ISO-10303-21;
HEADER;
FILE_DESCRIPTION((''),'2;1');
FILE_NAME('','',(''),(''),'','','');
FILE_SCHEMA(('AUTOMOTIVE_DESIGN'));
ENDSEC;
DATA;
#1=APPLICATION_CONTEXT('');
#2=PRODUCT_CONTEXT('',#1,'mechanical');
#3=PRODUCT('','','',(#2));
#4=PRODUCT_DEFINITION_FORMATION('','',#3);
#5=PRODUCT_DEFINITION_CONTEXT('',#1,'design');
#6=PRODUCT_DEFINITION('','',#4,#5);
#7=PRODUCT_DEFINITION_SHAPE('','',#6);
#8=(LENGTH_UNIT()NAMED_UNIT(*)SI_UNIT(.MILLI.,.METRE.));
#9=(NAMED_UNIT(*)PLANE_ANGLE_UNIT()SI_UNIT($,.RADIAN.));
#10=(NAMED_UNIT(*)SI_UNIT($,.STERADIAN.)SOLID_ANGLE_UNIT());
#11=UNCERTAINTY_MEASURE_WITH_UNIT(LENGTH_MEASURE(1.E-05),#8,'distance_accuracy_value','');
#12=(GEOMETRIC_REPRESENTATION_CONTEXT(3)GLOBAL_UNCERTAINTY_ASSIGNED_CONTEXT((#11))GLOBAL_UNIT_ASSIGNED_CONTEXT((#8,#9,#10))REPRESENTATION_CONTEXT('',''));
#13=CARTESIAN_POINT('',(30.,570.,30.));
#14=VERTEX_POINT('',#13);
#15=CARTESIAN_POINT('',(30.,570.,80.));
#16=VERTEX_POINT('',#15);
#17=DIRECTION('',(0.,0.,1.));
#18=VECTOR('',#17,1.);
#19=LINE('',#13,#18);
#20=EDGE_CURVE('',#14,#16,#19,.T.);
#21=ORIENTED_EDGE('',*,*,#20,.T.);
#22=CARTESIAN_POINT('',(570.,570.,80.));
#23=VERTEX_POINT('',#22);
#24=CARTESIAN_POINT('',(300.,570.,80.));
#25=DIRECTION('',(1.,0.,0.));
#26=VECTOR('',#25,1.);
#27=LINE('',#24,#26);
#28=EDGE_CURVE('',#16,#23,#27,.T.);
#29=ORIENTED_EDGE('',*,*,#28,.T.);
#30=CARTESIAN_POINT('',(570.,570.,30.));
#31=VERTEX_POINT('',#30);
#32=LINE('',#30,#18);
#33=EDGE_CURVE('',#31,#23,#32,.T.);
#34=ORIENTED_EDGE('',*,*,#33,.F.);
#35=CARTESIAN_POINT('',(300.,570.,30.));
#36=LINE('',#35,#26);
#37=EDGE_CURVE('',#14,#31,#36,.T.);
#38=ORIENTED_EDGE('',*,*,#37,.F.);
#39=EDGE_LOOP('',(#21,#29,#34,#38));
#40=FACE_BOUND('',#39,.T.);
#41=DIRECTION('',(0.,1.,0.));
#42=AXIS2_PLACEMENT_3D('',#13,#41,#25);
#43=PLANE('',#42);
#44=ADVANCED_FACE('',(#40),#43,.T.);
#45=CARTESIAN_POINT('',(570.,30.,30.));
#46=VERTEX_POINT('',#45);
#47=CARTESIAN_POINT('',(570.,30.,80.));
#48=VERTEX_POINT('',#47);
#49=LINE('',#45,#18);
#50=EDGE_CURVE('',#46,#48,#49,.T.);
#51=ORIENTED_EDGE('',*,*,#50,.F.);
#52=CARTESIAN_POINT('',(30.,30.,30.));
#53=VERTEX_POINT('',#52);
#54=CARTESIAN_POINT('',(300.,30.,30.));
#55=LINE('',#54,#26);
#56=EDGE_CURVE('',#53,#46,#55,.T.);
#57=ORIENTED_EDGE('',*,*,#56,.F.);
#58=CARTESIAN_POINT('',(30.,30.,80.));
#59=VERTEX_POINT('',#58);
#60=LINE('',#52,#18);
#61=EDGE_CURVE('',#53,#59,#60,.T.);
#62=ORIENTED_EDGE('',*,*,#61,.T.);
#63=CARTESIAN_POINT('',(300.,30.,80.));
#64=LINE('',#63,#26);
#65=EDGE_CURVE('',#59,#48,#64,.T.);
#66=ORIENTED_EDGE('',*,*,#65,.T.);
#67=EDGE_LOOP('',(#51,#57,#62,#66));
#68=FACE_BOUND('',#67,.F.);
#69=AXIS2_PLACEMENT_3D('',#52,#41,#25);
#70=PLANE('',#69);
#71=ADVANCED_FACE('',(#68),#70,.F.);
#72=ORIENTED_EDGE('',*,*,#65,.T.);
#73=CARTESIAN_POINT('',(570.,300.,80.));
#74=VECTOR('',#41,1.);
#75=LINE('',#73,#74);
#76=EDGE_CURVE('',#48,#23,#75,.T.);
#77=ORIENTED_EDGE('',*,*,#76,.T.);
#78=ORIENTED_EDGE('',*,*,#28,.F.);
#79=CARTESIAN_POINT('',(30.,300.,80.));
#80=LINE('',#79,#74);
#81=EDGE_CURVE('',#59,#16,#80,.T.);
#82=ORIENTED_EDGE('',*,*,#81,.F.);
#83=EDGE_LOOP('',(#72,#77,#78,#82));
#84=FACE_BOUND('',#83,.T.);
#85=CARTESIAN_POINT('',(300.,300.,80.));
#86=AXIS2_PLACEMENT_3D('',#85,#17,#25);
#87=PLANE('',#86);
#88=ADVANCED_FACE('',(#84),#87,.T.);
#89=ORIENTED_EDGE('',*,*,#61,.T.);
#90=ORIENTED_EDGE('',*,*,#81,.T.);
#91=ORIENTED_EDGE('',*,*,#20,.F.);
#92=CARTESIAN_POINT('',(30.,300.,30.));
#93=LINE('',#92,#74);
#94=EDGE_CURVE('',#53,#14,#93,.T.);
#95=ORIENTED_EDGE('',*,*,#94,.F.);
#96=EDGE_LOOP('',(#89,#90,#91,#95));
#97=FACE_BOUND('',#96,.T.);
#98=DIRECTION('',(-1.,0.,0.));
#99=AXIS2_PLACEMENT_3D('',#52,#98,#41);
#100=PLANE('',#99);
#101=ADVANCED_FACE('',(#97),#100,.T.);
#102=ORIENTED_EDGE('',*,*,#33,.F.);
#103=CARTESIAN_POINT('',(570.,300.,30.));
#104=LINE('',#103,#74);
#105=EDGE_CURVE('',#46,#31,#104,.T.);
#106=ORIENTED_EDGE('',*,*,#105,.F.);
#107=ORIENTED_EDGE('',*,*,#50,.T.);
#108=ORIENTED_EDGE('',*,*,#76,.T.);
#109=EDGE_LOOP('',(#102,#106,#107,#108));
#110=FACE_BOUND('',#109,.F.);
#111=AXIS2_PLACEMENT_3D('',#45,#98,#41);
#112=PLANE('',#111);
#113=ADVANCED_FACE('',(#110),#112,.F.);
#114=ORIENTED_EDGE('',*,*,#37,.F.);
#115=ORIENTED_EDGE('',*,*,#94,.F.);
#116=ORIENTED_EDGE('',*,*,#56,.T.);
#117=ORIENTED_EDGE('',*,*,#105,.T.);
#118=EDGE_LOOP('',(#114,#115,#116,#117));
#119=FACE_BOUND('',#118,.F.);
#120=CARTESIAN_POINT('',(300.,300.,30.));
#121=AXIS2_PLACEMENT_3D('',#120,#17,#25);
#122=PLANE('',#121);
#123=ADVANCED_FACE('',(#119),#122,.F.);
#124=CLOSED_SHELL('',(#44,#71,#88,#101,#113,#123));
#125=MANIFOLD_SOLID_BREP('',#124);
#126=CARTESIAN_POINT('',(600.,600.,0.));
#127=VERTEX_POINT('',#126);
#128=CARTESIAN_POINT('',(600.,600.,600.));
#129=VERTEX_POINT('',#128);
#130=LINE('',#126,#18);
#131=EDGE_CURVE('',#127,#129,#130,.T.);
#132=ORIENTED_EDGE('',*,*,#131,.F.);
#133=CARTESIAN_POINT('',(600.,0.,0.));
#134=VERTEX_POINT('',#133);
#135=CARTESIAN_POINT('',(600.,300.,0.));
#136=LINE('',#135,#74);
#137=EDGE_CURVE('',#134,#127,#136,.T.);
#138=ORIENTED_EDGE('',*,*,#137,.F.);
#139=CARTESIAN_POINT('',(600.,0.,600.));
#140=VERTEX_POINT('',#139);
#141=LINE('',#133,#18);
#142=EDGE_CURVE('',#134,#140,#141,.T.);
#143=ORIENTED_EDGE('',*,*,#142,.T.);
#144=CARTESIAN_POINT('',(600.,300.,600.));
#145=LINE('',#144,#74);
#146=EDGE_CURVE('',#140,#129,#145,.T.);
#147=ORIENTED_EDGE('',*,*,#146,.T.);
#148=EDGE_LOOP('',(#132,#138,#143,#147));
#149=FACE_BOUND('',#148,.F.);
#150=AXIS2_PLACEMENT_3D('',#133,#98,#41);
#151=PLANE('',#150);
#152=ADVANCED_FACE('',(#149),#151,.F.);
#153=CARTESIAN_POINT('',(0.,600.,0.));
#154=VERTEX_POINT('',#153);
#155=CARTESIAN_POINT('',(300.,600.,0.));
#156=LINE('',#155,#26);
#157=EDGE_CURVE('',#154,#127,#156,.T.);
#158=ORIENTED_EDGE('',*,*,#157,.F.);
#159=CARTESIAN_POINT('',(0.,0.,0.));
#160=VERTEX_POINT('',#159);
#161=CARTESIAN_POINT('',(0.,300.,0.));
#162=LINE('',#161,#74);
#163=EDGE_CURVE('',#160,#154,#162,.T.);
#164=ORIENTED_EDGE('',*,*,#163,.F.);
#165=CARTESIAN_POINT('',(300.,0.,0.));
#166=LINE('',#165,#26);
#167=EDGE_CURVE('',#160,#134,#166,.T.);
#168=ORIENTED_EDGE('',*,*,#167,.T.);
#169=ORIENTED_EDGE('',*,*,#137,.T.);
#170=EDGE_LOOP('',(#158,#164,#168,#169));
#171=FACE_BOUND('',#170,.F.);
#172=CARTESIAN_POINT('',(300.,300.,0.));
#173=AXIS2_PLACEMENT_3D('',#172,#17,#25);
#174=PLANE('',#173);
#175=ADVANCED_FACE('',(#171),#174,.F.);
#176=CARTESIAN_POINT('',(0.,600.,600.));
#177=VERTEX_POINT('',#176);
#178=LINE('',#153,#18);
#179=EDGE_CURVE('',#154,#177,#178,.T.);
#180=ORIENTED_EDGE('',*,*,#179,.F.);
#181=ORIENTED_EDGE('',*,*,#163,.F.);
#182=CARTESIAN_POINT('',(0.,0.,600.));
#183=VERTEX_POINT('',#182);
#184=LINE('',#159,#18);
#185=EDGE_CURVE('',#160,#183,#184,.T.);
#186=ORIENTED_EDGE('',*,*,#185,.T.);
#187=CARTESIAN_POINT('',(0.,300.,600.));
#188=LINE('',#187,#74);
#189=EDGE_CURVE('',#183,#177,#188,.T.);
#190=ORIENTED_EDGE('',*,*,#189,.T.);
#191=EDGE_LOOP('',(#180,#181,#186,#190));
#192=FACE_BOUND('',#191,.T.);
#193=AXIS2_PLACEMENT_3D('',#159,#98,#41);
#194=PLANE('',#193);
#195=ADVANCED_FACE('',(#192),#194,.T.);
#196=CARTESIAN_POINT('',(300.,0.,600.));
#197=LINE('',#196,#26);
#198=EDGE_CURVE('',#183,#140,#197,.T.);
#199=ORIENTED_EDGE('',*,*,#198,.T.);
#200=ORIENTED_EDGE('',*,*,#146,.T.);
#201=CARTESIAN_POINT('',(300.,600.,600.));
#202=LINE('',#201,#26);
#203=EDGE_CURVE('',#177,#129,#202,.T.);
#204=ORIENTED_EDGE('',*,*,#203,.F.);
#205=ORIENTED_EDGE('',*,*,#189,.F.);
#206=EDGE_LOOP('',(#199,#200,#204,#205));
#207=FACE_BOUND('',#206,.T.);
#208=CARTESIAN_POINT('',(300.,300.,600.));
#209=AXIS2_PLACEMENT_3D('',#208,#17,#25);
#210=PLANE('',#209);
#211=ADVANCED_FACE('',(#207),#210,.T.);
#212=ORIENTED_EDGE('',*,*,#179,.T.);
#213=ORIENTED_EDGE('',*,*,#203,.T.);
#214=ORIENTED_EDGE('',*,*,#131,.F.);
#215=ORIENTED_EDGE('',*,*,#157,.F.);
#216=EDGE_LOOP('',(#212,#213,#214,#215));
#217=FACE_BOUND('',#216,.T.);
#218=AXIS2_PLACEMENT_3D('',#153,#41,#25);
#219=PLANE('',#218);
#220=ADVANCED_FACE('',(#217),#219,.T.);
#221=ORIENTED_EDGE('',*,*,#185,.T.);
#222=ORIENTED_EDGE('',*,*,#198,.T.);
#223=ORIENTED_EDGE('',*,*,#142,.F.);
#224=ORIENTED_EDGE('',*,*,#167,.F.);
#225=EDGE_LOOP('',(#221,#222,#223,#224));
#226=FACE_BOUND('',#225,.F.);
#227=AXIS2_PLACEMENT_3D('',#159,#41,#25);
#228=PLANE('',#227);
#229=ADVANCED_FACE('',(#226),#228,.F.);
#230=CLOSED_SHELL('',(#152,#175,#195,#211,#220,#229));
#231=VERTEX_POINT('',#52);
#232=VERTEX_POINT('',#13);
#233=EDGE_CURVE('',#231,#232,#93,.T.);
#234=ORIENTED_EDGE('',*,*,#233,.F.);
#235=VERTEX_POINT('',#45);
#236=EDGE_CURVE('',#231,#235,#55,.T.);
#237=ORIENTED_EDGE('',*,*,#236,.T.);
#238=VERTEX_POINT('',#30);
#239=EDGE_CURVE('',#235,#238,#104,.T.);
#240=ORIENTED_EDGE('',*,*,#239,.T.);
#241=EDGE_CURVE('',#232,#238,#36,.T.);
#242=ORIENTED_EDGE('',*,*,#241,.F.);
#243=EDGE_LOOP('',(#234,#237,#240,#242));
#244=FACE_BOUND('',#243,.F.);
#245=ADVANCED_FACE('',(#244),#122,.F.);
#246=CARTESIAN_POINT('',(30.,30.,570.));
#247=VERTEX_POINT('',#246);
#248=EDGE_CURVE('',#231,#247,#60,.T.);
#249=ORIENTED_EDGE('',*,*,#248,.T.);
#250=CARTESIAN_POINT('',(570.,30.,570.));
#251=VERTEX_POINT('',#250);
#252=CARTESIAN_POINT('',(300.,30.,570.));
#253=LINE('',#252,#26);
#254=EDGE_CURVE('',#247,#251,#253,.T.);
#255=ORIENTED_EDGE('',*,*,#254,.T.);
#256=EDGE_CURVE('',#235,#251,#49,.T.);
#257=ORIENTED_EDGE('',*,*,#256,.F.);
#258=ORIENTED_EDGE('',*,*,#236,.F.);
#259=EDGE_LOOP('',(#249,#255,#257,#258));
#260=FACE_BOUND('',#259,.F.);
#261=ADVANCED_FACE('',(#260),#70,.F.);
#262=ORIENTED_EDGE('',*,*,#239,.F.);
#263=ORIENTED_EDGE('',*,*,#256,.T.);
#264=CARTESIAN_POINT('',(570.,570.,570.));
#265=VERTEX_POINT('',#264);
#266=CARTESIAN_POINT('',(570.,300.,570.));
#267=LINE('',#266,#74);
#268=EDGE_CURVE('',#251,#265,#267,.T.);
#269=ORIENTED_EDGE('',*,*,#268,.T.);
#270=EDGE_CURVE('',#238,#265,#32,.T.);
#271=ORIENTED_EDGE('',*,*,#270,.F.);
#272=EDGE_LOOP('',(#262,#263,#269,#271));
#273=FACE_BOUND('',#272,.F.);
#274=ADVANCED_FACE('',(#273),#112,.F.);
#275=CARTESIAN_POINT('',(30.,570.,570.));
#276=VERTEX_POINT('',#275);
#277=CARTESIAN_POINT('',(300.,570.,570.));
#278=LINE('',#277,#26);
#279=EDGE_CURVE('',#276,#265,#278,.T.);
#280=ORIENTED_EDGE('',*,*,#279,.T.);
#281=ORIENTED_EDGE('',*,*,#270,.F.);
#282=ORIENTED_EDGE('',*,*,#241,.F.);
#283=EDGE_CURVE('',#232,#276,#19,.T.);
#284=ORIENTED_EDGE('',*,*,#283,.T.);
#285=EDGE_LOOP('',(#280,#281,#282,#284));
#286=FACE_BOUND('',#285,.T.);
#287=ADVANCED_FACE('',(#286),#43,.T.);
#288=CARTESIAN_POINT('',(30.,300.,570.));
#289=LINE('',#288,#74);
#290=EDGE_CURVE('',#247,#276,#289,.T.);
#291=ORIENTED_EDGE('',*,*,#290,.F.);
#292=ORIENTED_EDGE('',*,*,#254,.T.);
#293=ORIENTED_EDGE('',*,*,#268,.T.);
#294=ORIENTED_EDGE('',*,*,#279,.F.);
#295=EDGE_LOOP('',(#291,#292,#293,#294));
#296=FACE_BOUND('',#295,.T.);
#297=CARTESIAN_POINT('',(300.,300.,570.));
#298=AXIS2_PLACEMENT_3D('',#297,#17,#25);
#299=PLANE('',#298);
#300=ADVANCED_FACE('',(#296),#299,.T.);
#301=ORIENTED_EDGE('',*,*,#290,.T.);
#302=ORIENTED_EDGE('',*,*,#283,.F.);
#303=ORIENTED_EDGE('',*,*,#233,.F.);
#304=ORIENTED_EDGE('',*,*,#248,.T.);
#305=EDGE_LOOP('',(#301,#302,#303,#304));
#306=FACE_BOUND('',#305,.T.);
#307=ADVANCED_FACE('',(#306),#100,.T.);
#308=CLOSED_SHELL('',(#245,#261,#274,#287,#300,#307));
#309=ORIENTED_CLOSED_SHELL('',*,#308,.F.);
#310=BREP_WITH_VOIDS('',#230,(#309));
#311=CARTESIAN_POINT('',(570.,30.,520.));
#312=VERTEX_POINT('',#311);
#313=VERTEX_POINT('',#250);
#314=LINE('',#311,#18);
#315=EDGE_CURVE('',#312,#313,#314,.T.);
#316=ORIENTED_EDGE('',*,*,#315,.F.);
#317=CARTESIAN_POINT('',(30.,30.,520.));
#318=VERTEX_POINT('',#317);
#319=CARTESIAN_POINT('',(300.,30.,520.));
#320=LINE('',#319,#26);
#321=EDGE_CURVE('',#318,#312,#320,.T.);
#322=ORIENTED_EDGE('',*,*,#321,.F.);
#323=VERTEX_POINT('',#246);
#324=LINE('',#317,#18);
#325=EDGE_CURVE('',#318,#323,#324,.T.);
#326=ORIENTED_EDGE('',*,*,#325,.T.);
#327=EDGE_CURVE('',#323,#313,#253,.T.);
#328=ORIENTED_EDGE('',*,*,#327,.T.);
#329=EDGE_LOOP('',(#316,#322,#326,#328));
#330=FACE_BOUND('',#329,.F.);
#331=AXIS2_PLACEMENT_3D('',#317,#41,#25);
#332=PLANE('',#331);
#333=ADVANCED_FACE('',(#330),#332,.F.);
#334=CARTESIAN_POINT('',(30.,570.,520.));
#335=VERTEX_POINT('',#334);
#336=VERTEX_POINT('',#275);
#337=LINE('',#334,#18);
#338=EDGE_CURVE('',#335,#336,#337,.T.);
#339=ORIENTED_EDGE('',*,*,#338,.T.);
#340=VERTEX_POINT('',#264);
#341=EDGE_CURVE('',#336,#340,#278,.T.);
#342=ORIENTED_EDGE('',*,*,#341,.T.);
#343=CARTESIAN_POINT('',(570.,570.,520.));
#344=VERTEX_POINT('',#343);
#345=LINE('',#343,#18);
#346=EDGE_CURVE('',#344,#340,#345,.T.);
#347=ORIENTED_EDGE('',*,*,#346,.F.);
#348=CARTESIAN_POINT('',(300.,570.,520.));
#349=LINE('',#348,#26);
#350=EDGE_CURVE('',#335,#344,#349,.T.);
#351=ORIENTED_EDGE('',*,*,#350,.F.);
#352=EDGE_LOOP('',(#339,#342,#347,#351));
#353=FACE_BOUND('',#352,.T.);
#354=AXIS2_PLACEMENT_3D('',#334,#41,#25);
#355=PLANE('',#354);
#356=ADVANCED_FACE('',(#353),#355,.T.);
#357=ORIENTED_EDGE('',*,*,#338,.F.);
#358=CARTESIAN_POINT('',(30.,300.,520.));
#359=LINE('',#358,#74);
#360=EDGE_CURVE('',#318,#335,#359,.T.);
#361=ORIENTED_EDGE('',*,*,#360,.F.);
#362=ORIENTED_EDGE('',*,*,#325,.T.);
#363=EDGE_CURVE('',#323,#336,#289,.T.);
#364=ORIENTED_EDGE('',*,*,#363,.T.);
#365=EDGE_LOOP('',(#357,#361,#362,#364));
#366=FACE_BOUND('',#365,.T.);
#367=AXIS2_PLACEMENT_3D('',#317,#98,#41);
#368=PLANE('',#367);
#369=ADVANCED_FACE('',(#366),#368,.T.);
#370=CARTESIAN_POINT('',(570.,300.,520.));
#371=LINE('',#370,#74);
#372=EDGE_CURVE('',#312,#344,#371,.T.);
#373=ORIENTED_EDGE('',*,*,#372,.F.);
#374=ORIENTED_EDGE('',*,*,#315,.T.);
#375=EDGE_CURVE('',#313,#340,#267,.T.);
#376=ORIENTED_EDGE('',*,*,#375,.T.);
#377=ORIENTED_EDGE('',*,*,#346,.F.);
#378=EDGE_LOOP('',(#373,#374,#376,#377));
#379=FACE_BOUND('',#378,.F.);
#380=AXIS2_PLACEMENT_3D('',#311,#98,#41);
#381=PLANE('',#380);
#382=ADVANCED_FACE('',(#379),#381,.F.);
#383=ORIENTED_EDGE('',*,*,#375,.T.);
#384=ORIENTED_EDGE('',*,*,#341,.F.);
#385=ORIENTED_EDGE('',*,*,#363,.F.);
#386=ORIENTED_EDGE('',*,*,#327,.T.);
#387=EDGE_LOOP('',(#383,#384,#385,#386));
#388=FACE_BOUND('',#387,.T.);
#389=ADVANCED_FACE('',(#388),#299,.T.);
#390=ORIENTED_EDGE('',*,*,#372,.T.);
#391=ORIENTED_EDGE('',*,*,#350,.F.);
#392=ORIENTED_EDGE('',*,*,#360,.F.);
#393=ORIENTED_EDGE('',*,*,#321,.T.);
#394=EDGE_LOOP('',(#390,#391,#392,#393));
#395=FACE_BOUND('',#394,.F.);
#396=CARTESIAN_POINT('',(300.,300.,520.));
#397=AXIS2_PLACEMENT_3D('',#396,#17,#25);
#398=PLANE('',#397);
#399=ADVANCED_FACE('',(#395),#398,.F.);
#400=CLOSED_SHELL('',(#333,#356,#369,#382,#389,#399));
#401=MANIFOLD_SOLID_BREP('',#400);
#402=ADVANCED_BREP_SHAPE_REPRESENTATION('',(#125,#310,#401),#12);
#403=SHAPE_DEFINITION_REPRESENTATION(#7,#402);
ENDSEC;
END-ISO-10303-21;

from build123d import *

# Parameters (mm, degrees)
BOX001_W     = 540
BOX001_H     = 540
BOX001_DEPTH = 540
BOX_W        = 600
BOX_H        = 600
BOX_DEPTH    = 600
BOX002_W     = 540
BOX002_H     = 540
BOX002_DEPTH = 50
BOX003_W     = 540
BOX003_H     = 540
BOX003_DEPTH = 50


with BuildPart() as loch:
    # Box001 → Box001 (new body)
    with BuildSketch(Plane(origin=(30, 30, 30), x_dir=(1, 0, 0), z_dir=(0, 0, 1))):
        with Locations((270, 270)):
            Rectangle(BOX001_W, BOX001_H)
    extrude(amount=BOX001_DEPTH)


with BuildPart() as cut:
    # Box → Box (new body)
    with BuildSketch(Plane.XY):
        with Locations((300, 300)):
            Rectangle(BOX_W, BOX_H)
    extrude(amount=BOX_DEPTH)

    # Cut: cut Loch
    add(loch.part, mode=Mode.SUBTRACT)


with BuildPart() as akku_bot:
    # Box002 → Box002 (new body)
    with BuildSketch(Plane(origin=(30, 30, 30), x_dir=(1, 0, 0), z_dir=(0, 0, 1))):
        with Locations((270, 270)):
            Rectangle(BOX002_W, BOX002_H)
    extrude(amount=BOX002_DEPTH)


with BuildPart() as akku_top:
    # Box003 → Box003 (new body)
    with BuildSketch(Plane(origin=(30, 30, 520), x_dir=(1, 0, 0), z_dir=(0, 0, 1))):
        with Locations((270, 270)):
            Rectangle(BOX003_W, BOX003_H)
    extrude(amount=BOX003_DEPTH)


solid = Compound([cut.part, akku_bot.part, akku_top.part])
